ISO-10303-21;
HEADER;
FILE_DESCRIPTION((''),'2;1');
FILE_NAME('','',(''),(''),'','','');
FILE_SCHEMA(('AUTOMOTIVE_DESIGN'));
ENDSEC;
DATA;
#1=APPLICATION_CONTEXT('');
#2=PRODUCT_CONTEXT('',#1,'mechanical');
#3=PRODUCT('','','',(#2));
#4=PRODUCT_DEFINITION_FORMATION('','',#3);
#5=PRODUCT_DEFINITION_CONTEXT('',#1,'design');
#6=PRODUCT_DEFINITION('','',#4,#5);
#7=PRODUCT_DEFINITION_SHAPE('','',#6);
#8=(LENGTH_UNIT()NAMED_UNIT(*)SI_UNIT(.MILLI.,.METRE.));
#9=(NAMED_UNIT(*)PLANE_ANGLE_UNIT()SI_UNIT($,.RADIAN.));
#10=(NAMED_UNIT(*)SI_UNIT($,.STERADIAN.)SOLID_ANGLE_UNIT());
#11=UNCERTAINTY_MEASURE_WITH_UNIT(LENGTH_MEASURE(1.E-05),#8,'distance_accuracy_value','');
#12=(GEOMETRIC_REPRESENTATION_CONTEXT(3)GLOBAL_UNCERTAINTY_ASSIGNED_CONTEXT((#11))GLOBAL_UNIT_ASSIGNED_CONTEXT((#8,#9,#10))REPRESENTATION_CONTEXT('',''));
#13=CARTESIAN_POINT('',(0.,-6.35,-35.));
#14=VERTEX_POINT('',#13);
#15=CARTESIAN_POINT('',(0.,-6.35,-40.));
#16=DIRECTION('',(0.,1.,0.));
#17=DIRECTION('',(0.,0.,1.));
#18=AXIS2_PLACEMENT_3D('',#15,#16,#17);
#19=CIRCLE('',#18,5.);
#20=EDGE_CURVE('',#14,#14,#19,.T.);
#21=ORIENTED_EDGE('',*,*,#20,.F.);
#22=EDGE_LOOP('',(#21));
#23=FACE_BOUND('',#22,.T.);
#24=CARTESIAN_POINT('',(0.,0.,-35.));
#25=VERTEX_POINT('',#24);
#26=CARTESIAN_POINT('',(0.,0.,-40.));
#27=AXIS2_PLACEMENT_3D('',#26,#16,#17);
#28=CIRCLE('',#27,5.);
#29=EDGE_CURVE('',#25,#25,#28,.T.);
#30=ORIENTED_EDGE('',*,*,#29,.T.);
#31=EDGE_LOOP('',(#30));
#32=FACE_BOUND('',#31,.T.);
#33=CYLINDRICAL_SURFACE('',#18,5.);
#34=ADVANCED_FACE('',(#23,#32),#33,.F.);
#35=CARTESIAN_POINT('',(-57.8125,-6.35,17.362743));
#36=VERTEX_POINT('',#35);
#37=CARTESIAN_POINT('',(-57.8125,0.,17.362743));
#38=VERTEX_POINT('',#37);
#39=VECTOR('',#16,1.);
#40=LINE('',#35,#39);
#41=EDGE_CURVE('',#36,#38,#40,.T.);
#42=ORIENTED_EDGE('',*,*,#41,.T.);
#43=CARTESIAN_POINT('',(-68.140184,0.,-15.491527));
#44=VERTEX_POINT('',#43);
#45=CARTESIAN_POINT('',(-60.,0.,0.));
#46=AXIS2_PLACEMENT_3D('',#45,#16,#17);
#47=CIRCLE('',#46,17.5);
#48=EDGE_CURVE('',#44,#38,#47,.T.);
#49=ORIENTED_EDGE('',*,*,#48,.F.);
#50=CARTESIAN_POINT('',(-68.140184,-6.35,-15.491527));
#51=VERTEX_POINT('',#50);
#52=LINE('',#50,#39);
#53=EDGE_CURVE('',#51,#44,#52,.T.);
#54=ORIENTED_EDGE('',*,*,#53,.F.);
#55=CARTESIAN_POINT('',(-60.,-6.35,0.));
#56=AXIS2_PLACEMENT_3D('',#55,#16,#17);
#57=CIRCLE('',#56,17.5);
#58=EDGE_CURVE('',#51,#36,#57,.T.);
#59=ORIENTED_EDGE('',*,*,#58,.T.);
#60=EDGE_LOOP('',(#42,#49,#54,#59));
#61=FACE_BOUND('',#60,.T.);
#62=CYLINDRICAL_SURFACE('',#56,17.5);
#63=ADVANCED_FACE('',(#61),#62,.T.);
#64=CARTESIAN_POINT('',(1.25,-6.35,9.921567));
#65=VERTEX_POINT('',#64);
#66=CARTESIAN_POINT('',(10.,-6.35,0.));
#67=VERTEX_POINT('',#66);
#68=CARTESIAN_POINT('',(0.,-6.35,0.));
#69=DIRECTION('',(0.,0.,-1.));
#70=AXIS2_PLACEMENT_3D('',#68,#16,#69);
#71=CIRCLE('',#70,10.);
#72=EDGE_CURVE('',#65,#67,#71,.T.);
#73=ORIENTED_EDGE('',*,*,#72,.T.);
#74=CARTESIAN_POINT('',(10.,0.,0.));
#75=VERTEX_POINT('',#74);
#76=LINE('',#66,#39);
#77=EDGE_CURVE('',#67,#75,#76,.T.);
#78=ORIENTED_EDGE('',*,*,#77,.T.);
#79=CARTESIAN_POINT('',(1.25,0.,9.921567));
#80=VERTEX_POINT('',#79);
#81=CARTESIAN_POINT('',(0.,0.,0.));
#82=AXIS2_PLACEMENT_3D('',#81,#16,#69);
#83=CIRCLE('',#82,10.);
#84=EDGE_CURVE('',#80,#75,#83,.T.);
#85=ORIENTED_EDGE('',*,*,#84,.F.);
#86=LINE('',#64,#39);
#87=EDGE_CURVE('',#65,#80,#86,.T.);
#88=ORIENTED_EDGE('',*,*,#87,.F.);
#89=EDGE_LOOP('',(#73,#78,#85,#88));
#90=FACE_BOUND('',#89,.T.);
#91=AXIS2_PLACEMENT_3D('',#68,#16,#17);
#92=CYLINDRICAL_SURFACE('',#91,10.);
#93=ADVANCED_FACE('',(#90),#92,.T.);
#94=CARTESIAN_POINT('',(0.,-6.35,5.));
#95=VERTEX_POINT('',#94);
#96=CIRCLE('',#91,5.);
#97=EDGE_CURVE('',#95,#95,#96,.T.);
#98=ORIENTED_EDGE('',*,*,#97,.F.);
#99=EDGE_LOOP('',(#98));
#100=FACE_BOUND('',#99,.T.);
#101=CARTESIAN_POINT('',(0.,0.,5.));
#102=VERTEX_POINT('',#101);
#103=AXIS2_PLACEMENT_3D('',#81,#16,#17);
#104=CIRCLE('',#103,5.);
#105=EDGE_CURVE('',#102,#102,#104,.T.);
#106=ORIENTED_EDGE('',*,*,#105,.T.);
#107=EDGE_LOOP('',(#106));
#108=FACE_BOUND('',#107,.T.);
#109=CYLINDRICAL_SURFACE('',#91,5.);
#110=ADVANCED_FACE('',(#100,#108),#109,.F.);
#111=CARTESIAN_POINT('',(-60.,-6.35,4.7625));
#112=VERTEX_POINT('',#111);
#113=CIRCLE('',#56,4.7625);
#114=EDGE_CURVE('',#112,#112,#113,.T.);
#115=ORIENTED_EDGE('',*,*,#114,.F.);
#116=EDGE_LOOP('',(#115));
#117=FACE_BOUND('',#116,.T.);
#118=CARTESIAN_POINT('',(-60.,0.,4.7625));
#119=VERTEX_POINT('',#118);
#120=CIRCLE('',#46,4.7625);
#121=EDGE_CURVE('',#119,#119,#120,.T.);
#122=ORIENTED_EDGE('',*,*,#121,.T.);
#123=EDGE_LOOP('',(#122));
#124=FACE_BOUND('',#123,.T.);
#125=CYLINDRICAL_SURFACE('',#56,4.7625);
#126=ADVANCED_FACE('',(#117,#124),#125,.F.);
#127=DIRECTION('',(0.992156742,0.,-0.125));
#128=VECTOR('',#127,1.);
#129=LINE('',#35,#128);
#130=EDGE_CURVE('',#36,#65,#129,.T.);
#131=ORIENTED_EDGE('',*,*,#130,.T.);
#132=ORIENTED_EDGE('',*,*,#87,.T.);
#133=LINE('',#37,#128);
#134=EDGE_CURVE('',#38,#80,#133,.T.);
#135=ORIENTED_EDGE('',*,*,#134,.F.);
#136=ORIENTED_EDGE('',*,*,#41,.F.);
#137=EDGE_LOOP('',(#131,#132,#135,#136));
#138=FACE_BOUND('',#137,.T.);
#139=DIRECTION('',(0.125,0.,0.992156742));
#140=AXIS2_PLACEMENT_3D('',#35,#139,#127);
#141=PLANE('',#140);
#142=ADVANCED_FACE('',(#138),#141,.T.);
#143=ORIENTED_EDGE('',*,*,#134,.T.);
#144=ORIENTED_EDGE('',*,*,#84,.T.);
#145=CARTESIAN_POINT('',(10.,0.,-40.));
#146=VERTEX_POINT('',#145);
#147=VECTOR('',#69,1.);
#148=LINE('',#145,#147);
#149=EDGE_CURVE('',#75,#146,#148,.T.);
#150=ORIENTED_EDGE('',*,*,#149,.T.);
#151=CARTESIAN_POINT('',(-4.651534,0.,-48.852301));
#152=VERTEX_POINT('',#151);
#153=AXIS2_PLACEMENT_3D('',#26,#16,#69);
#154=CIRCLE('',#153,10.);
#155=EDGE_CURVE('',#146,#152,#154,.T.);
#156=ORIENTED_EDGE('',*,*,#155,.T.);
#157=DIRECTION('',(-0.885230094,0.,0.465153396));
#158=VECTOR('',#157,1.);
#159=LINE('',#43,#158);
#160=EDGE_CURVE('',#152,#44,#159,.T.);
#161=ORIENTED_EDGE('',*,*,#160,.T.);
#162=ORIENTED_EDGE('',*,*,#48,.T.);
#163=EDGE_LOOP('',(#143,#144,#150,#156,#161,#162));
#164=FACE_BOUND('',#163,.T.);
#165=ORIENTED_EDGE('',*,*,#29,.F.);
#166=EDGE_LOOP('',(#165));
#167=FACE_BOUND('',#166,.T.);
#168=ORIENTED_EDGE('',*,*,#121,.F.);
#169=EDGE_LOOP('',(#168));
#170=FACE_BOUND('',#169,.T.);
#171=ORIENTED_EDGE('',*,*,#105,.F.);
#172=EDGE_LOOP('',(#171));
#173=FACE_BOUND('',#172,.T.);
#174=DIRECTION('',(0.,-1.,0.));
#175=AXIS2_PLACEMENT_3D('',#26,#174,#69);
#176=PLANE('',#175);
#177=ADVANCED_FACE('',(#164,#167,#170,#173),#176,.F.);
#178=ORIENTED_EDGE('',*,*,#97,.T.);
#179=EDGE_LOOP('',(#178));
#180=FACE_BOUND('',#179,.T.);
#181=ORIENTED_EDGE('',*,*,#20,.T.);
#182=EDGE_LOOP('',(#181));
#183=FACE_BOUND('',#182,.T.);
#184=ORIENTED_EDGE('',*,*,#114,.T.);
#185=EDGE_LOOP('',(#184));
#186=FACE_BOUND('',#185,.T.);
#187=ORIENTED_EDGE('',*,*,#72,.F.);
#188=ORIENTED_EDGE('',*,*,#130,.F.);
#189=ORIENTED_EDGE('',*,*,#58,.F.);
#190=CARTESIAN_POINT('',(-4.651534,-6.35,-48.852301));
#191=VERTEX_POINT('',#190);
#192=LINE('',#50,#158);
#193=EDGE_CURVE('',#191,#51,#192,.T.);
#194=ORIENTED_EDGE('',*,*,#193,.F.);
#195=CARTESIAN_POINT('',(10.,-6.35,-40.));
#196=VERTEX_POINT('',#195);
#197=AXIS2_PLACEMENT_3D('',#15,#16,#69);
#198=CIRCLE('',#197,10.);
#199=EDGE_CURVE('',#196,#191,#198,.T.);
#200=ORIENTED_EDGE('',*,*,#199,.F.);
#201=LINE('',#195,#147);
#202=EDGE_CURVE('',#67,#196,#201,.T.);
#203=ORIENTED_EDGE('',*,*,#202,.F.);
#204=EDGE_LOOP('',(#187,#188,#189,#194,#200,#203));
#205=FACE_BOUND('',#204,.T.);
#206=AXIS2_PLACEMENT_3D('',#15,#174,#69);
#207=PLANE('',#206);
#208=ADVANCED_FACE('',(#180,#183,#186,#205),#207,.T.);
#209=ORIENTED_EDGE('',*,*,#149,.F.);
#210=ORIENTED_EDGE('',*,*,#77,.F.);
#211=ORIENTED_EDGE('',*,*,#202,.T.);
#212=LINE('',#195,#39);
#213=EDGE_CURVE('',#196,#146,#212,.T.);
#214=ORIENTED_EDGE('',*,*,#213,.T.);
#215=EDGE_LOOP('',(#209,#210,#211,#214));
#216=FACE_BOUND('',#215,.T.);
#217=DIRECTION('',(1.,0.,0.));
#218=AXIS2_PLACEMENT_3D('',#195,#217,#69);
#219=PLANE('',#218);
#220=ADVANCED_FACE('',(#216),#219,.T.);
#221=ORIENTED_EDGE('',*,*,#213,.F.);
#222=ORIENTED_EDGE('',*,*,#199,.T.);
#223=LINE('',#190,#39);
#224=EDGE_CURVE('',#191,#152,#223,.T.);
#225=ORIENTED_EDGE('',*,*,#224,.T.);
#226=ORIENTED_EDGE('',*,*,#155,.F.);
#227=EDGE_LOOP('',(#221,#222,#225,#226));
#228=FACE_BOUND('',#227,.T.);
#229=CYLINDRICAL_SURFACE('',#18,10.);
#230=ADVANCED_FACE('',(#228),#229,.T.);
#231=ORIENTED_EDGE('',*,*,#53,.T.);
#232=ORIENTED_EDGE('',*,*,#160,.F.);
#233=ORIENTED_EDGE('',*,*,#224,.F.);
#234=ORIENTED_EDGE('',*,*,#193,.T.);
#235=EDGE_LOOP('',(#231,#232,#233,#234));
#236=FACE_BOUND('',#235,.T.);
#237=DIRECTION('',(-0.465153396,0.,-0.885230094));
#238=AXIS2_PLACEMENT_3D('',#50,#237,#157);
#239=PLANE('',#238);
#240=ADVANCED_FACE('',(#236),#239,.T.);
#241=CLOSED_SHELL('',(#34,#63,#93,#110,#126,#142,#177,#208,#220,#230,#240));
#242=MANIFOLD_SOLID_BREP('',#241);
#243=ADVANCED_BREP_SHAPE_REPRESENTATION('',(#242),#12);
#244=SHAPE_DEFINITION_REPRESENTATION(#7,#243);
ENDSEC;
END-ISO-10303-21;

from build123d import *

# Parameters (mm, degrees)
SKETCH1_R           = 5
SKETCH1_R_2         = 4.7625
BOSS_EXTRUDE1_DEPTH = 6.35


with BuildPart() as part:
    # Sketch1 → Boss-Extrude1 (new body)
    with BuildSketch(Plane(origin=(0, 0, 0), x_dir=(1, 0, 0), z_dir=(0, 1, 0))):
        with BuildLine():
            Line((10, 40), (10, 0))
            ThreePointArc((10, 0), (7.5, -6.614378278), (1.25, -9.921567416))
            Line((1.25, -9.921567416), (-57.8125, -17.362742979))
            ThreePointArc((-57.8125, -17.362742979), (-76.694591069, -5.247916638), (-68.140184424, 15.491526637))
            Line((-68.140184424, 15.491526637), (-4.651533957, 48.852300935))
            ThreePointArc((-4.651533957, 48.852300935), (5.171298697, 48.559069446), (10, 40))
        make_face()
        with Locations(Location((0, 0, 0), (0, 0, 270))):
            Circle(SKETCH1_R, mode=Mode.SUBTRACT)
        with Locations(Location((0, 40, 0), (0, 0, 270))):
            Circle(SKETCH1_R, mode=Mode.SUBTRACT)
        with Locations(Location((-60, 0, 0), (0, 0, 270))):
            Circle(SKETCH1_R_2, mode=Mode.SUBTRACT)
    extrude(amount=-BOSS_EXTRUDE1_DEPTH)


solid = part.part
